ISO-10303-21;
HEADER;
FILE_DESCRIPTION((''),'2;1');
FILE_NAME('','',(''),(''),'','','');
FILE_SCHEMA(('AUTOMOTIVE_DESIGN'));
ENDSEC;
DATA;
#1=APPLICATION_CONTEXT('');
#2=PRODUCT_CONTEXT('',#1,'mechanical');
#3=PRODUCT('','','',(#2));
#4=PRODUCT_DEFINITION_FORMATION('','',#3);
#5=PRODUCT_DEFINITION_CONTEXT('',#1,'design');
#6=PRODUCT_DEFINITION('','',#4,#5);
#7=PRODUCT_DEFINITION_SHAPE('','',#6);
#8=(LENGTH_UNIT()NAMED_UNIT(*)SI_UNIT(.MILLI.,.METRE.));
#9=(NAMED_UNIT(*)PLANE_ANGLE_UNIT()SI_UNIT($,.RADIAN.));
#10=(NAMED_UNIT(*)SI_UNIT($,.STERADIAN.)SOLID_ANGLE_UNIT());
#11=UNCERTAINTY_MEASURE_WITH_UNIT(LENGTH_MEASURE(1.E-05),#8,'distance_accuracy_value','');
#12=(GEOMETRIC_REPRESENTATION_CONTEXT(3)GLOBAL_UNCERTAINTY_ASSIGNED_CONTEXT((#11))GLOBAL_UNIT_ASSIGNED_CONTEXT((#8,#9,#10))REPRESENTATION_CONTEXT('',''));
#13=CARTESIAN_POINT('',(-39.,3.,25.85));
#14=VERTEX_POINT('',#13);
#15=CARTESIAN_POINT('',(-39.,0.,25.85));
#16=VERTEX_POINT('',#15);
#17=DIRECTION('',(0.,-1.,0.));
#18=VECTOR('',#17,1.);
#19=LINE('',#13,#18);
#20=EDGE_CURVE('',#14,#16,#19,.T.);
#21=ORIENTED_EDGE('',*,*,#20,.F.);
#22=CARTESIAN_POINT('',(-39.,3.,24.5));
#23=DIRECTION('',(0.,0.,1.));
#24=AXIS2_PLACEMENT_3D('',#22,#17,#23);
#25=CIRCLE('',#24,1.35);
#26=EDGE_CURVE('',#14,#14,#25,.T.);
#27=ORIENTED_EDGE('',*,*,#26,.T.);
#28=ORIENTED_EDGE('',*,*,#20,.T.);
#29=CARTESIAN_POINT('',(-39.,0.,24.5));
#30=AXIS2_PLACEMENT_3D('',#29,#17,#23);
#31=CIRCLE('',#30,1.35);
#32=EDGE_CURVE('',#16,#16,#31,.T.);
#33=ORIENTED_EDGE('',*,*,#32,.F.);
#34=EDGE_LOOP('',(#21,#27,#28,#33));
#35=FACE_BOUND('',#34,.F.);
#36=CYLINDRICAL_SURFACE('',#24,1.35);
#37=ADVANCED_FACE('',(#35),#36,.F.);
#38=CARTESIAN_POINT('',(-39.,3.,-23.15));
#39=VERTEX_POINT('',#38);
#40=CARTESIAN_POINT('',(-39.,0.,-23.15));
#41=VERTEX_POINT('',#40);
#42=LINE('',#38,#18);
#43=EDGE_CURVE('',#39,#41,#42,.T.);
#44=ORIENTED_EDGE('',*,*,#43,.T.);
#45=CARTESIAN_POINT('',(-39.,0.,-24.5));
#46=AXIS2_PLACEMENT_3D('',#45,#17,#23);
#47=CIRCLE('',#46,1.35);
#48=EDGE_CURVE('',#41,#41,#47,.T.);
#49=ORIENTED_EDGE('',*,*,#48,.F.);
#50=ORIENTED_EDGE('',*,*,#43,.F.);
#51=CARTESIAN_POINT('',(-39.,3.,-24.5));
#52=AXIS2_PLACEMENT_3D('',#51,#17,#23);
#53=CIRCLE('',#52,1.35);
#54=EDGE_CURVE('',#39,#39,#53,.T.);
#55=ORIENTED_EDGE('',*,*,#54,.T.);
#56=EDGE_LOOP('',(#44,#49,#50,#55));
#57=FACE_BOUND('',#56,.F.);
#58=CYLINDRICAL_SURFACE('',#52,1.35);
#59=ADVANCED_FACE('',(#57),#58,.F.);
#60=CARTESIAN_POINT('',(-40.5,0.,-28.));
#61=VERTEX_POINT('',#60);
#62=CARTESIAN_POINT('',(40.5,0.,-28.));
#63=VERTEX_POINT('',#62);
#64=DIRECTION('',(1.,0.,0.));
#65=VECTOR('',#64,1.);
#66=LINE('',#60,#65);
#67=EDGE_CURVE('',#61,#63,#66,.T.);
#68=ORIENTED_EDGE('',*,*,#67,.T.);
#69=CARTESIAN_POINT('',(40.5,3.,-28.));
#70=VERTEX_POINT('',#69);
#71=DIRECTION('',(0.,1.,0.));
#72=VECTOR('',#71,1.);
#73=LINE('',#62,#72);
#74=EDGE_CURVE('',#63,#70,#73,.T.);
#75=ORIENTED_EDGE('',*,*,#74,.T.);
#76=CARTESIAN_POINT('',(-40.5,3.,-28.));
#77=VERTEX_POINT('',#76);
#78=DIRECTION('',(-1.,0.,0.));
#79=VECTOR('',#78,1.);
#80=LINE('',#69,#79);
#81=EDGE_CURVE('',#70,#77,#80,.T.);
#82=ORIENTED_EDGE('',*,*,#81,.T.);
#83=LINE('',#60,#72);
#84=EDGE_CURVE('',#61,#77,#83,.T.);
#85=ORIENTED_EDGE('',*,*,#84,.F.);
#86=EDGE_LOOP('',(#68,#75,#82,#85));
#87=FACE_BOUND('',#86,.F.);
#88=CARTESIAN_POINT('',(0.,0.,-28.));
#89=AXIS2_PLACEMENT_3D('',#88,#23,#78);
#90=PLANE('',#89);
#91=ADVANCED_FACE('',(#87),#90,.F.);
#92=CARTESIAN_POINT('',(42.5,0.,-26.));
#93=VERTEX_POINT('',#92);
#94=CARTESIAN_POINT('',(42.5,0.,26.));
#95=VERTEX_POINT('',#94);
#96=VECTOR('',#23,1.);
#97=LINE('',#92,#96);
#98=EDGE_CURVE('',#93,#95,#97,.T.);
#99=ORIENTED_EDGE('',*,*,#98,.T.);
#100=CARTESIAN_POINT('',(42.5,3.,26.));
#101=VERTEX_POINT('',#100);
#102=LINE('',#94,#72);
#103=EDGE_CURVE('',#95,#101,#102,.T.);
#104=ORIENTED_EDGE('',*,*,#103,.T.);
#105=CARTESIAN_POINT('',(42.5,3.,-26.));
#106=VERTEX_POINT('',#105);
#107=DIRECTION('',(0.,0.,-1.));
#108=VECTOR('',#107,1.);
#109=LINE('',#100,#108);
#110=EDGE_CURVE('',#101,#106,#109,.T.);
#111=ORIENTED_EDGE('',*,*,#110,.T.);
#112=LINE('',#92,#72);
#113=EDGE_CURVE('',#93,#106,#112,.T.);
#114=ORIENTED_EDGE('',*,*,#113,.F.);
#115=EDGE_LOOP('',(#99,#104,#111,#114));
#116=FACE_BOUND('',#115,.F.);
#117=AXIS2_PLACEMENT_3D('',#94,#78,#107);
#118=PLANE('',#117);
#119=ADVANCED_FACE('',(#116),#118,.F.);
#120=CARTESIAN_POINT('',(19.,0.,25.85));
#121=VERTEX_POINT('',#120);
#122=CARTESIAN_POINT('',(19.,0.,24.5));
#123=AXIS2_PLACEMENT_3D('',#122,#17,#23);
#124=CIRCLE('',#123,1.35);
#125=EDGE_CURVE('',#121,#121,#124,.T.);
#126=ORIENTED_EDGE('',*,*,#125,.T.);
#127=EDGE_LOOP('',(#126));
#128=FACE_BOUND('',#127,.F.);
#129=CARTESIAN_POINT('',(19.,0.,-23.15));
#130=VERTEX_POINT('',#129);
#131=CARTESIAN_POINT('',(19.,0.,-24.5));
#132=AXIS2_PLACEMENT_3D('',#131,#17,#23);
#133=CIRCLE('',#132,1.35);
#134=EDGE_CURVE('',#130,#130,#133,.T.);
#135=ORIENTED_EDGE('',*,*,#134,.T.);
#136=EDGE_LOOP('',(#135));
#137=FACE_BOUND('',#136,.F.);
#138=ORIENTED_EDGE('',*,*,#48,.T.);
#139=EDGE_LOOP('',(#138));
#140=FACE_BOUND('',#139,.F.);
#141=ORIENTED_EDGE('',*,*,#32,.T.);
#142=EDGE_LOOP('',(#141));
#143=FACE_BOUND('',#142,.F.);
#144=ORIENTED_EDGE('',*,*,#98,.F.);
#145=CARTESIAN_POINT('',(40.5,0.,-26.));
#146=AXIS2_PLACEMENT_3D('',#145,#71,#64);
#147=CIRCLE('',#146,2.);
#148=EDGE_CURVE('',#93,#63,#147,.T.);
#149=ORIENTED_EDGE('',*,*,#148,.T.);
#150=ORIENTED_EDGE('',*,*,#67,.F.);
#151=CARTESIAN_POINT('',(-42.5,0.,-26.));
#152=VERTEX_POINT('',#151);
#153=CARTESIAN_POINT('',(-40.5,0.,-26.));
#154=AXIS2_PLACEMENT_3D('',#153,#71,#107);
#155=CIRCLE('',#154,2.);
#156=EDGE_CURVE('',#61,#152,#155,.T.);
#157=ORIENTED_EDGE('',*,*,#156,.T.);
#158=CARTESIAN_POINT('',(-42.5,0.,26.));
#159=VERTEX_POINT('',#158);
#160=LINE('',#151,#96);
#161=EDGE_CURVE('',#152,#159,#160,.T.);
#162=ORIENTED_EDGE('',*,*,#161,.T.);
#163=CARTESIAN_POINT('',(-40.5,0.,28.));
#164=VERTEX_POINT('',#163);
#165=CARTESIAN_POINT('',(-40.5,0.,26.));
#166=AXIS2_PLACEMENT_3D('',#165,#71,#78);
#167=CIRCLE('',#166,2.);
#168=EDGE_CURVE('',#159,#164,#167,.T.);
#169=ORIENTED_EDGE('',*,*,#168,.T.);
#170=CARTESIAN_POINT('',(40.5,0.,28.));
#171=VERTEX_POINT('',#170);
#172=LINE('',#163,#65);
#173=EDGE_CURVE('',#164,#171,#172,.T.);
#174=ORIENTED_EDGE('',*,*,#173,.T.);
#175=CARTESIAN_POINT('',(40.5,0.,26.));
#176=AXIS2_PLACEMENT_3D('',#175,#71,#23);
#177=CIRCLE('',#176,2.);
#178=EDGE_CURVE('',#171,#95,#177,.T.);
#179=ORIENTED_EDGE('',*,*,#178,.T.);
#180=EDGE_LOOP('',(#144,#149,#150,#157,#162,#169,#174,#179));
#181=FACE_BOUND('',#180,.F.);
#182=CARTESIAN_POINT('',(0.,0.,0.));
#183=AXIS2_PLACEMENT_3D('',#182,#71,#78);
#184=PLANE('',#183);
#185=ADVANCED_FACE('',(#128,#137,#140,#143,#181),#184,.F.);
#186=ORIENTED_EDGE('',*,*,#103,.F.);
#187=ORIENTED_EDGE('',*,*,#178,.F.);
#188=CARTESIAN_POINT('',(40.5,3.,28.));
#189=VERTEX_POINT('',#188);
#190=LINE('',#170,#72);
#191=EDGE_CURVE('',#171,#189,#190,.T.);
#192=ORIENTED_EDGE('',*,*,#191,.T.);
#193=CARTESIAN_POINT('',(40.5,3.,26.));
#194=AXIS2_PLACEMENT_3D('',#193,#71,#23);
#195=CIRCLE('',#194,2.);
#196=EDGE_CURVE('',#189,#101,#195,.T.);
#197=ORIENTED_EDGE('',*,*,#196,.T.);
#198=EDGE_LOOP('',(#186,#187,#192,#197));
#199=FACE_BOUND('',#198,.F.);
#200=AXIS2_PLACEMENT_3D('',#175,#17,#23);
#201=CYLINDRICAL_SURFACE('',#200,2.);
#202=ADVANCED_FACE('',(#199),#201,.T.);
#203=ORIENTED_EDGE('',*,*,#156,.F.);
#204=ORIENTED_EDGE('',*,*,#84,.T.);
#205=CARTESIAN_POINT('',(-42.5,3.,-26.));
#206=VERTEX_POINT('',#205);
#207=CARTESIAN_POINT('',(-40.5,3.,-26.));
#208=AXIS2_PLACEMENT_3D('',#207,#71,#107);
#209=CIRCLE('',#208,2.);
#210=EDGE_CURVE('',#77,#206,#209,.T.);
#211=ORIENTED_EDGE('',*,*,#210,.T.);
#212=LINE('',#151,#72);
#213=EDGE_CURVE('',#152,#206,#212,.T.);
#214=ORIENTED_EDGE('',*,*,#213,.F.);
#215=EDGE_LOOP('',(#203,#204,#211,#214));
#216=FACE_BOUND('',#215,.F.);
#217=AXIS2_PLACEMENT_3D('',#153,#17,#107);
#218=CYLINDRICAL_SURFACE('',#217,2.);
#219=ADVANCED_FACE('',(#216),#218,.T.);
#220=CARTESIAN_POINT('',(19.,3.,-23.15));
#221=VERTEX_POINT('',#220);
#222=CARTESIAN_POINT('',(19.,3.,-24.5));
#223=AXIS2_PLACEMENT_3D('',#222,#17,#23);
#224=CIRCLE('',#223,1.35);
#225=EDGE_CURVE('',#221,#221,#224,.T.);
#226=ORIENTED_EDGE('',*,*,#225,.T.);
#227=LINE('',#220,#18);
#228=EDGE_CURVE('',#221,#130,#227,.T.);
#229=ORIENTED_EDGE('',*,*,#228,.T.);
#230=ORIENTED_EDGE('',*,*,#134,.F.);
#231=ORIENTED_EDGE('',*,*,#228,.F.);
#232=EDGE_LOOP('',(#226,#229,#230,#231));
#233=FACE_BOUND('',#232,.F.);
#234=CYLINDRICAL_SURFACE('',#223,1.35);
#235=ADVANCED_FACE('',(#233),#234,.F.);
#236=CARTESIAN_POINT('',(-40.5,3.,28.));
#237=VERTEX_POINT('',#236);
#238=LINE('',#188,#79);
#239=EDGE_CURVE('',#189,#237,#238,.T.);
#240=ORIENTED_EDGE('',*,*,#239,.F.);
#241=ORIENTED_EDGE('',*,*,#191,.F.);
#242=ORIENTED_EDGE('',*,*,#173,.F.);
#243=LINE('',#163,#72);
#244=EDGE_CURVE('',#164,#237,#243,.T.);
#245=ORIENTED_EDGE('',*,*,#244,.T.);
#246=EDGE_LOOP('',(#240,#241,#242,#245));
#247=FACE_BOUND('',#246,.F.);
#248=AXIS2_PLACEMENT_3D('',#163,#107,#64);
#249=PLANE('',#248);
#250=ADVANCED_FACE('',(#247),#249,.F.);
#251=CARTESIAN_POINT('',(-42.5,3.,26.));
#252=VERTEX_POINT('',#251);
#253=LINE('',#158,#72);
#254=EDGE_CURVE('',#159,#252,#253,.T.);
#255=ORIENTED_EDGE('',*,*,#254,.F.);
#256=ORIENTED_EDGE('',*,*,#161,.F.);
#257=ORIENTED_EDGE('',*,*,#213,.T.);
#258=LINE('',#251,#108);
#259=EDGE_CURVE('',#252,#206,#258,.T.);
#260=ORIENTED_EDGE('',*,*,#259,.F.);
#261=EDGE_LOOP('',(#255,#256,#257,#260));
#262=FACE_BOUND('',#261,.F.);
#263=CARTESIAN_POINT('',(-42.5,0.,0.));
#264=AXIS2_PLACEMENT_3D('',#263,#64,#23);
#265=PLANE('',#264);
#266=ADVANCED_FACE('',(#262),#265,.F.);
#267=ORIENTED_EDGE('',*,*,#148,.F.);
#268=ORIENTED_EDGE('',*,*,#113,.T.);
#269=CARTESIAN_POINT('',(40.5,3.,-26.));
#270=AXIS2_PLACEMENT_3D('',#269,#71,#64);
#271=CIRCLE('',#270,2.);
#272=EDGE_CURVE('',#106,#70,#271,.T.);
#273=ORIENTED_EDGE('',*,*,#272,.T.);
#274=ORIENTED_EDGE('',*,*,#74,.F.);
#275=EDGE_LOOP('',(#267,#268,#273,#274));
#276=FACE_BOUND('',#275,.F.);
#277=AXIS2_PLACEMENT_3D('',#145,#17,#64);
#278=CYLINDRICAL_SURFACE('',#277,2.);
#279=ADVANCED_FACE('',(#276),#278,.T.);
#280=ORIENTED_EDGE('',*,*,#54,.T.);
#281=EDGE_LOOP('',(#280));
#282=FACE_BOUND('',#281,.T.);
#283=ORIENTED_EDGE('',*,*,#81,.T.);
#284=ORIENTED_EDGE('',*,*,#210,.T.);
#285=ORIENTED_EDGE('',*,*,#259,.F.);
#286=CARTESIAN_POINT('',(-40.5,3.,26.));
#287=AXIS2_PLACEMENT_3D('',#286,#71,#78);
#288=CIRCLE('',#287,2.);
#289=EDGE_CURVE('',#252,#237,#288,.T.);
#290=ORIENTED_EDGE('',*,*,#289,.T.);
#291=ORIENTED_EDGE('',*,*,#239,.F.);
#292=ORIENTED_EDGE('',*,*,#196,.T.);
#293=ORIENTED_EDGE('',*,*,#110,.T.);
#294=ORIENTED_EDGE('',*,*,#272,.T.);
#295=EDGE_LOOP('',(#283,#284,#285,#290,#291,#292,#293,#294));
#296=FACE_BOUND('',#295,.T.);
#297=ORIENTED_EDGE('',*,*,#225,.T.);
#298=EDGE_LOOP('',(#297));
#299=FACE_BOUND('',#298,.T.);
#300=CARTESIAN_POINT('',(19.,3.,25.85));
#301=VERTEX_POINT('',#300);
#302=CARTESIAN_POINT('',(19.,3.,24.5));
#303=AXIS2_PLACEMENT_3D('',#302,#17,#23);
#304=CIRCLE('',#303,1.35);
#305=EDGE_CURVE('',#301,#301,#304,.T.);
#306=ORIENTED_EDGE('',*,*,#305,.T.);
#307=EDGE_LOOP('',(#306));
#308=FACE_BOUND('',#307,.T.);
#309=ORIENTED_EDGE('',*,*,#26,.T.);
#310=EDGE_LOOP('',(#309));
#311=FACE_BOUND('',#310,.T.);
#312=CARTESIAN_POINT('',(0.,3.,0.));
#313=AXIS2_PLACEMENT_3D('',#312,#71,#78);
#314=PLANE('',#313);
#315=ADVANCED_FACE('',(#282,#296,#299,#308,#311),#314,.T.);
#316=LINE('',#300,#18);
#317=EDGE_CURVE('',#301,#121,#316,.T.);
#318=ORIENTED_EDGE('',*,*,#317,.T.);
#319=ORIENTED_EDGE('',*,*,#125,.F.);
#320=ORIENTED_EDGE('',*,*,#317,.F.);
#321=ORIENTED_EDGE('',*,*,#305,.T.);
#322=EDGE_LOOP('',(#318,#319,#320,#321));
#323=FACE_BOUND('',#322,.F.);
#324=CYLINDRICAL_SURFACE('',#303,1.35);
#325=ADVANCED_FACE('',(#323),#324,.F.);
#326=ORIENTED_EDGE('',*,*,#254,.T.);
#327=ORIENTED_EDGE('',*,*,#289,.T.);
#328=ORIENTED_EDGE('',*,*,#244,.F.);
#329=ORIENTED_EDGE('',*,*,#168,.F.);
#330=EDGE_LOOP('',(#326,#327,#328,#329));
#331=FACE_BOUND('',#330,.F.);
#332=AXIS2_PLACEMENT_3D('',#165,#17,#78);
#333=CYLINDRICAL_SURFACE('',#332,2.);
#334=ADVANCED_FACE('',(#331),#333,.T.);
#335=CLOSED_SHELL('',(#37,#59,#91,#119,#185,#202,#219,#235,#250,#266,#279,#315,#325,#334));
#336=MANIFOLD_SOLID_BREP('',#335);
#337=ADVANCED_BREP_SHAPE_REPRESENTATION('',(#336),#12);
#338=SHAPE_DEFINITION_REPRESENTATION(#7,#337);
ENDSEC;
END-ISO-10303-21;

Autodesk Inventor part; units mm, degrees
ref_plane "YZ Plane" through (0, 0, 0) normal (1, 0, 0) x (0, 1, 0)
ref_plane "XZ Plane" through (0, 0, 0) normal (0, 1, 0) x (-1, 0, 0)
ref_plane "XY Plane" through (0, 0, 0) normal (0, 0, 1) x (1, 0, 0)
sketch "Эскиз1" plane through (0, 0, 0) normal (0, 1, 0) x (-1, 0, 0)
  line L0 (40.5, 28) -> (-40.5, 28)
  line L1 (-42.5, 26) -> (-42.5, -26)
  line L2 (-40.5, -28) -> (40.5, -28)
  line L3 (42.5, -26) -> (42.5, 26)
  line L4 (60.0799, 0) -> (-60.0799, 0) projected
  line L5 (0, -39.7799) -> (0, 39.7799) projected
  arc A0 (-40.5, 28) -> (-42.5, 26) centre (-40.5, 26) ccw
  arc A1 (42.5, 26) -> (40.5, 28) centre (40.5, 26) ccw
  arc A2 (40.5, -28) -> (42.5, -26) centre (40.5, -26) ccw
  arc A3 (-42.5, -26) -> (-40.5, -28) centre (-40.5, -26) ccw
  point P0 (0, 0)
  point P1 (42.5, 28)
  point P2 (-42.5, -28)
  point P3 (-42.5, 28)
  point P4 (42.5, -28)
  dimension "d0" = 56
  dimension "d1" = 85
  dimension "d19" = 2
extrude "Выдавливание1" add sketch "Эскиз1" along normal blind 3
sketch "Эскиз3" plane through (0, 3, 0) normal (0, 1, 0) x (1, 0, 0)
  line L0 (-59.5, 0) -> (59.5, 0) projected
  line L1 (0, 28) -> (0, -28) projected
  line L2 (42.5, -26) -> (42.5, 26) projected
  line L3 (-42.5, 26) -> (-42.5, -26) projected
  point P0 (0, 0)
  point P1 (-39, -24.5)
  point P2 (-39, 24.5)
  point P3 (19, -24.5)
  point P4 (19, 24.5)
  dimension "d13" = 49
  dimension "d16" = 58
  dimension "d21" = 3.5
hole "Отверстие1" at (-39, 3, 24.5) at (19, 3, 24.5) at (19, 3, -24.5) at (-39, 3, -24.5) direction (0, -1, 0) diameter 2.7 end through all
properties part number "плата двигателей"
